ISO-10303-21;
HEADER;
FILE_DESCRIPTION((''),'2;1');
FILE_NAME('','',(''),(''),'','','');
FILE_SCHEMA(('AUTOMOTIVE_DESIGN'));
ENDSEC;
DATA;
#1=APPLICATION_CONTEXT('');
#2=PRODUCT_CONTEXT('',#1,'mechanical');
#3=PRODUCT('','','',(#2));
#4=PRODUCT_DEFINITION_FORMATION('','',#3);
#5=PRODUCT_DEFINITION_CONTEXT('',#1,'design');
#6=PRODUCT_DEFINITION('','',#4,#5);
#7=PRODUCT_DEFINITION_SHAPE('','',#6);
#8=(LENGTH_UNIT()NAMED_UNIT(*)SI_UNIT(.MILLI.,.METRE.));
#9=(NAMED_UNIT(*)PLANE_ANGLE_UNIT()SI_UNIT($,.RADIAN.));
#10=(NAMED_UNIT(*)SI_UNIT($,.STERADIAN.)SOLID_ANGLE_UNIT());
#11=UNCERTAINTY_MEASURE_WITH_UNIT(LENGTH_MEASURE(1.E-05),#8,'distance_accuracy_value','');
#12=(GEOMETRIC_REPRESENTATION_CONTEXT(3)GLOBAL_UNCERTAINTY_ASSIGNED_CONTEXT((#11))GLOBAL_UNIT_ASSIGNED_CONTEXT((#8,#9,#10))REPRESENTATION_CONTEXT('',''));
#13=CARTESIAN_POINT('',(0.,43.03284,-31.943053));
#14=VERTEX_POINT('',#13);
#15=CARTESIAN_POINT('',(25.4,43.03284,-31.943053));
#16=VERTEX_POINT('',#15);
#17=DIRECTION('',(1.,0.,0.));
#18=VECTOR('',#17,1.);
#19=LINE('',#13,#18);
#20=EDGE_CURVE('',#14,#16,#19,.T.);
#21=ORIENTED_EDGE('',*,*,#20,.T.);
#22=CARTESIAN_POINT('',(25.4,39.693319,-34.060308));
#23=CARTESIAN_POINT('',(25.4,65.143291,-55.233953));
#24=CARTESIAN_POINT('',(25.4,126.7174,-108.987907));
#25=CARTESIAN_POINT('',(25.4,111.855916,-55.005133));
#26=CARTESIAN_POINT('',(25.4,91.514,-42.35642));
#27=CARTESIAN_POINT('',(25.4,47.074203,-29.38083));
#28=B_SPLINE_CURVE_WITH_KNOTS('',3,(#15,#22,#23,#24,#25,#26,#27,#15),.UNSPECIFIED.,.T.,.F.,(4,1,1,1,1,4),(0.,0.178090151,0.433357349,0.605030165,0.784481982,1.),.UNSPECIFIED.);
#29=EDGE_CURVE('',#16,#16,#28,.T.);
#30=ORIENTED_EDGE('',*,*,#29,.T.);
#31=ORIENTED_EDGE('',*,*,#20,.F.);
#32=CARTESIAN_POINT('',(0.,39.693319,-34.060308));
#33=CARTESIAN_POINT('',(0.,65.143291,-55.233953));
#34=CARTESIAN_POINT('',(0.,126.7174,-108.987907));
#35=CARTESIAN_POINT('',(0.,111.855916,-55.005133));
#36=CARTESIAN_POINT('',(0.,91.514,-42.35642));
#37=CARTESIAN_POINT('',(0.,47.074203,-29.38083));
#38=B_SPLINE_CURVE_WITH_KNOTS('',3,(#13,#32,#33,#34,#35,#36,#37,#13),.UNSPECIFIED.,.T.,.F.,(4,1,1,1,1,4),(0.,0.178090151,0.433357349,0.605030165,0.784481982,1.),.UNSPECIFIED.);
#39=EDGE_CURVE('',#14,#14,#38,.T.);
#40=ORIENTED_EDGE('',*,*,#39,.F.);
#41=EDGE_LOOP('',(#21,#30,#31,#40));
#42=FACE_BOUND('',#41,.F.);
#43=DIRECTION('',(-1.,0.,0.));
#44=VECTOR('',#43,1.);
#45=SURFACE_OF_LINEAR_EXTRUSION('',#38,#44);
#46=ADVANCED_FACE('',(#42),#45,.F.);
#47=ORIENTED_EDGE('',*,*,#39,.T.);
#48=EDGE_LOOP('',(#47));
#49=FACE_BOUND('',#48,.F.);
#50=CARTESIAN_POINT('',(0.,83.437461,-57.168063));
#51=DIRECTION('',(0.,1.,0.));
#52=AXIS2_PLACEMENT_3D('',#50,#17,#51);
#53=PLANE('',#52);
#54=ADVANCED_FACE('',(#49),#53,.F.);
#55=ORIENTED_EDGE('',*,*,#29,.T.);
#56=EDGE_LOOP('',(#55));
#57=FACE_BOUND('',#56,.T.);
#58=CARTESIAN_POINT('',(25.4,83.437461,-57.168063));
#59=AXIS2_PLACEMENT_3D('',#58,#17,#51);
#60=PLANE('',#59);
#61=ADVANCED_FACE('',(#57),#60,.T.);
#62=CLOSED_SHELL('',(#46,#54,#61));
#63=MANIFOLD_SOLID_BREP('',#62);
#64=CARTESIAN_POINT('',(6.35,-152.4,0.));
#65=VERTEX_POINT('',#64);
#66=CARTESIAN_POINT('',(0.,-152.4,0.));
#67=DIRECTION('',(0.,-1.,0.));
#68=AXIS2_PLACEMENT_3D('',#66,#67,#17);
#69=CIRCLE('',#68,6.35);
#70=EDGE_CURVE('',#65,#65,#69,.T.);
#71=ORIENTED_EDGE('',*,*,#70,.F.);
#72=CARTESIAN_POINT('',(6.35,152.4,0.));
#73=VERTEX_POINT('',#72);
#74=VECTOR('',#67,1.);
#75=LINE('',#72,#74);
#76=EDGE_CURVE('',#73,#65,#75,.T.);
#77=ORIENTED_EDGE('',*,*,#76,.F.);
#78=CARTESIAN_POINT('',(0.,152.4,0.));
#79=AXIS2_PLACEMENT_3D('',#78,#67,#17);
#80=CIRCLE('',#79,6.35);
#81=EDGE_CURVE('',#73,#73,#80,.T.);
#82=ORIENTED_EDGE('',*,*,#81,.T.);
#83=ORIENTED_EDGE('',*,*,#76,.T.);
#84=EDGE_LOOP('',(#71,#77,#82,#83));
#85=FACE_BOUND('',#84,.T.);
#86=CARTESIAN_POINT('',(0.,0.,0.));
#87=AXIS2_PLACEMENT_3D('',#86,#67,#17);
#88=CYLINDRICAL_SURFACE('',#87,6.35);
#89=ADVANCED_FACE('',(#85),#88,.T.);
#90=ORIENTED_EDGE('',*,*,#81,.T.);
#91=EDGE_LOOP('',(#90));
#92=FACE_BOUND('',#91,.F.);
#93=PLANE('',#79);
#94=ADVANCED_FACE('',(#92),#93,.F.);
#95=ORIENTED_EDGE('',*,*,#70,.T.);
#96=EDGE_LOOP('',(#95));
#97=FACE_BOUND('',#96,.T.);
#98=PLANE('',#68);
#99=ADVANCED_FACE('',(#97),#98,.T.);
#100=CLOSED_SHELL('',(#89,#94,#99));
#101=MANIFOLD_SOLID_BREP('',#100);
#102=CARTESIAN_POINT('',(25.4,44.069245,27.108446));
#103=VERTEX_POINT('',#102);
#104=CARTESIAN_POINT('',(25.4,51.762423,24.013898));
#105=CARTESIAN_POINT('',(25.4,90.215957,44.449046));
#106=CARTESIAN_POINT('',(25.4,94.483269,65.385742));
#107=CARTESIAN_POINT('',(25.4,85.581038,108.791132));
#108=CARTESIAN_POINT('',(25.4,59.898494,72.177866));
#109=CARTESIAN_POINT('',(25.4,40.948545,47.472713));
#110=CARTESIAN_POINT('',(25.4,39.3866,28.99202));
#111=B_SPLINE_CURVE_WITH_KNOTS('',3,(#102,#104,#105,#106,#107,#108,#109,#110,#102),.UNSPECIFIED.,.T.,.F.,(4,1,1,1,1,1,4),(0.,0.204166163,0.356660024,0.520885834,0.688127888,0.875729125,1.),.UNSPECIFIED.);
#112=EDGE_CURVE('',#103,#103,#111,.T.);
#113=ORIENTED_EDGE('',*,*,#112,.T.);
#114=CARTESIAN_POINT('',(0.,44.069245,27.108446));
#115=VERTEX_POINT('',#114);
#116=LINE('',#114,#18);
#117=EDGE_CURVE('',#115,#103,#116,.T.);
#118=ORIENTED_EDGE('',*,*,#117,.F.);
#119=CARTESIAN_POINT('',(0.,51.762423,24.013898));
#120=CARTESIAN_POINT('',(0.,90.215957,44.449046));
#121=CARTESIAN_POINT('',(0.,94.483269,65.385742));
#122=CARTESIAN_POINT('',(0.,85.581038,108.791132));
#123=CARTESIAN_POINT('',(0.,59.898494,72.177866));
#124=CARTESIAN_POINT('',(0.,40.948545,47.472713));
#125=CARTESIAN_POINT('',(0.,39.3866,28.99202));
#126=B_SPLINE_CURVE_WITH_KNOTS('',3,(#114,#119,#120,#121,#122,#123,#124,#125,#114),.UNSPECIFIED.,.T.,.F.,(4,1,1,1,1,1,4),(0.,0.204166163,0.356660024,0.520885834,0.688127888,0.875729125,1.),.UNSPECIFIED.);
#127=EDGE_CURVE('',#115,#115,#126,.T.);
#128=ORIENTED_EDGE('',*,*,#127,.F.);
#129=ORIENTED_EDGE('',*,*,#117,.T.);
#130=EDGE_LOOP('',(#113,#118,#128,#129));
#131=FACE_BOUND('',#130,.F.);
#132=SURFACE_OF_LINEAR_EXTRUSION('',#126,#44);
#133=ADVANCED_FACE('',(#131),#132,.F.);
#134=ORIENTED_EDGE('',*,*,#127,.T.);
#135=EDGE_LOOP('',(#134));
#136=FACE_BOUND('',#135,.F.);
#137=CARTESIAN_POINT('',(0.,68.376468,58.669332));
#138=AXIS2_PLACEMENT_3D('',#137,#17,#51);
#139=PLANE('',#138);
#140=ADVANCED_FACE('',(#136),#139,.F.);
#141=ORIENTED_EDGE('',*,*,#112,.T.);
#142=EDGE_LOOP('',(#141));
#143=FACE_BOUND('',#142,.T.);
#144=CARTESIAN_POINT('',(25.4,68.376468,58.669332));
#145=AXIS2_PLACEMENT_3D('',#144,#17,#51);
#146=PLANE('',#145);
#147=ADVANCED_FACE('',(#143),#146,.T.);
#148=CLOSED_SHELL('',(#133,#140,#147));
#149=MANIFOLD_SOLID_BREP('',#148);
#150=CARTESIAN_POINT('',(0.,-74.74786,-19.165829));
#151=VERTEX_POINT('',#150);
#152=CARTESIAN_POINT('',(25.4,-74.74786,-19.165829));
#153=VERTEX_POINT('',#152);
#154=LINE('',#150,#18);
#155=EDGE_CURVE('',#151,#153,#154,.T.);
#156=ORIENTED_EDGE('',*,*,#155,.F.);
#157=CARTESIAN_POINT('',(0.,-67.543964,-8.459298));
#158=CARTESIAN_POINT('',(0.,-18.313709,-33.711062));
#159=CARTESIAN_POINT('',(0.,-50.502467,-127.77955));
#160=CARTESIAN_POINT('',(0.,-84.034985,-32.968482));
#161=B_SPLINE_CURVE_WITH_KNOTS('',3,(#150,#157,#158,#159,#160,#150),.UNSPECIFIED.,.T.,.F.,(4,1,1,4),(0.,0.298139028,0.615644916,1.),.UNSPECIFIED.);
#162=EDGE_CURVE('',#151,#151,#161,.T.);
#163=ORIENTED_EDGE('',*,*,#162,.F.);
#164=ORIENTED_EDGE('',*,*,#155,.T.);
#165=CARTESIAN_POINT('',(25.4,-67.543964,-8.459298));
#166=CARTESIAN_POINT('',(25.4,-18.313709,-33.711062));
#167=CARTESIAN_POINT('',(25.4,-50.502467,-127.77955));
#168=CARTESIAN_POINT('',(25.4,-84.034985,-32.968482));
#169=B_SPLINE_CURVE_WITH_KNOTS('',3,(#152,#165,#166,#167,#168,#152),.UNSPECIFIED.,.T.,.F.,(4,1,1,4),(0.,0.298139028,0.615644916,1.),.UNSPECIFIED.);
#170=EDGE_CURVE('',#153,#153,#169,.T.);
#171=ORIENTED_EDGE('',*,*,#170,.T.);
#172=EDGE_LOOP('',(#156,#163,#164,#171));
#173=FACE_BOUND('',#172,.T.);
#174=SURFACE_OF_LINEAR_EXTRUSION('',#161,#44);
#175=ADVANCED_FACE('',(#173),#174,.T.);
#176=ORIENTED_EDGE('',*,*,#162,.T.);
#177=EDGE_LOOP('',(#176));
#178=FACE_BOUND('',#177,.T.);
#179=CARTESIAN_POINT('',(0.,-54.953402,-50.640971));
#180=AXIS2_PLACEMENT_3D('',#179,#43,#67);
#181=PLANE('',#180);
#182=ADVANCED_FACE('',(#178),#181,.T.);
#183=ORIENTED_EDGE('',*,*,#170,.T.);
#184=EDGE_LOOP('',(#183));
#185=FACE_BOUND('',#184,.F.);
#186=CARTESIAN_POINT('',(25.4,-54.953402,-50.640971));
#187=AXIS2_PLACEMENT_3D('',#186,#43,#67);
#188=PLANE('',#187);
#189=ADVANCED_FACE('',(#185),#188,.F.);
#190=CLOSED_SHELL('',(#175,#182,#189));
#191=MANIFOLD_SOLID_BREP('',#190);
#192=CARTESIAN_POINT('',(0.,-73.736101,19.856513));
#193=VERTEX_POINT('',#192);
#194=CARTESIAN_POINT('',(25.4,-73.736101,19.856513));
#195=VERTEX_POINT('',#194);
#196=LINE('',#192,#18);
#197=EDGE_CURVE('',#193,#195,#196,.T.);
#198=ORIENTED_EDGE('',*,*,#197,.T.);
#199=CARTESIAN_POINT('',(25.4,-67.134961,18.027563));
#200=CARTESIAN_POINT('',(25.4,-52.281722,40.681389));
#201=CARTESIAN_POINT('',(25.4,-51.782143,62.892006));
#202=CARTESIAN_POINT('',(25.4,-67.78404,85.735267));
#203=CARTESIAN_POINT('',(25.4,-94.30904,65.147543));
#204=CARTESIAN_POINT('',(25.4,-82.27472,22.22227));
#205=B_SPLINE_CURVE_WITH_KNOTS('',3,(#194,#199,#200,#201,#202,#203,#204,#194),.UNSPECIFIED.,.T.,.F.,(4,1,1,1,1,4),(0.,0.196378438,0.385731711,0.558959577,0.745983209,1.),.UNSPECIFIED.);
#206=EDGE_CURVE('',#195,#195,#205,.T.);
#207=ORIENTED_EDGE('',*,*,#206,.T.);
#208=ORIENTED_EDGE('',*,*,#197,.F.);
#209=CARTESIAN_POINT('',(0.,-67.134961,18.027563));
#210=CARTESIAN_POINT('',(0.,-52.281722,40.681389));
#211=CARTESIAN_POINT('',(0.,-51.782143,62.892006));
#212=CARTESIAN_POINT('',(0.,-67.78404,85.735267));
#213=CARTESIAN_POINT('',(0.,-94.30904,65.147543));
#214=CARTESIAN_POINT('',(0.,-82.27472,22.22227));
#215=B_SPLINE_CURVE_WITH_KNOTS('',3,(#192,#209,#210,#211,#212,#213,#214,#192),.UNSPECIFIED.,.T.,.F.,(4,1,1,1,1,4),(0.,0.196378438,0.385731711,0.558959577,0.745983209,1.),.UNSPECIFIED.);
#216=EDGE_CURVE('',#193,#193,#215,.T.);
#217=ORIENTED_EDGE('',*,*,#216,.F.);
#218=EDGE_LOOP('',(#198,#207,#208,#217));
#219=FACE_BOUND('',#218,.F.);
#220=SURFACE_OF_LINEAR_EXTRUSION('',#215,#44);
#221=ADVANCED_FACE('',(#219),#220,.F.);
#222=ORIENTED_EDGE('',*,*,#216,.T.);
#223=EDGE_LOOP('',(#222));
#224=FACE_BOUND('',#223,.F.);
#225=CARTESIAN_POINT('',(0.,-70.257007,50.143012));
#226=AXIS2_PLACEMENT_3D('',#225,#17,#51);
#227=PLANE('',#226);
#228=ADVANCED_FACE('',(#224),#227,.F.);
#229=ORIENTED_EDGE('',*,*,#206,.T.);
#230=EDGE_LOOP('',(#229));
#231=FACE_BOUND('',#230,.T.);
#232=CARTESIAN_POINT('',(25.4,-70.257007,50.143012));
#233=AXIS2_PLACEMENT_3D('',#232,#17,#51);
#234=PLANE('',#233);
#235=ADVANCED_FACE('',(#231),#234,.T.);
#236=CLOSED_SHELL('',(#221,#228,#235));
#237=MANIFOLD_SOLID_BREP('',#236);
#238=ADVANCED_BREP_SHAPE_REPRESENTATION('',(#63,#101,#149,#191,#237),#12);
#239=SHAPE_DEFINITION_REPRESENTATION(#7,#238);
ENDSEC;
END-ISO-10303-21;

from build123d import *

# Parameters (mm, degrees)
F0_R     = 6.35
F1_DEPTH = 152.4
F3_DEPTH = 25.4


with BuildPart() as f1:
    # F0 (on Front) → F1 (new body, symmetric)
    with BuildSketch(Plane.XZ):
        Circle(F0_R)
    extrude(amount=F1_DEPTH, both=True)


with BuildPart() as f3:
    # F2 (on Right) → F3 (new body)
    with BuildSketch(Plane.YZ):
        with BuildLine():
            add(Edge.make_bspline(
                [(-74.7478604317, -19.165828824), (-67.543963754, -8.4592979949), (-18.3137087683, -33.7110615613), (-50.5024670852, -127.7795498173), (-84.0349850647, -32.9684818389), (-74.7478604317, -19.165828824)],
                knots=[0, 0, 0, 0, 0.2981390278, 0.6156449164, 1, 1, 1, 1], degree=3))
        make_face()
    extrude(amount=F3_DEPTH)


with BuildPart() as f3b:
    # F2 (on Right) → F3, piece 2 (new body)
    with BuildSketch(Plane.YZ):
        with BuildLine():
            add(Edge.make_bspline(
                [(-73.7361013889, 19.8565125465), (-67.1349605052, 18.0275633062), (-52.2817218665, 40.6813889341), (-51.7821425789, 62.8920057763), (-67.7840402884, 85.7352669502), (-94.3090395178, 65.1475434439), (-82.2747202066, 22.2222703262), (-73.7361013889, 19.8565125465)],
                knots=[0, 0, 0, 0, 0.196378438, 0.385731711, 0.5589595768, 0.7459832087, 1, 1, 1, 1], degree=3))
        make_face()
    extrude(amount=F3_DEPTH)


with BuildPart() as f3c:
    # F2 (on Right) → F3, piece 3 (new body)
    with BuildSketch(Plane.YZ):
        with BuildLine():
            add(Edge.make_bspline(
                [(43.0328398943, -31.9430530071), (39.6933188562, -34.0603080097), (65.1432908186, -55.2339532183), (126.7173996854, -108.9879069683), (111.8559161781, -55.0051329355), (91.5139995637, -42.3564199815), (47.0742029406, -29.380830452), (43.0328398943, -31.9430530071)],
                knots=[0, 0, 0, 0, 0.1780901512, 0.4333573485, 0.6050301651, 0.7844819818, 1, 1, 1, 1], degree=3))
        make_face()
    extrude(amount=F3_DEPTH)


with BuildPart() as f3d:
    # F2 (on Right) → F3, piece 4 (new body)
    with BuildSketch(Plane.YZ):
        with BuildLine():
            add(Edge.make_bspline(
                [(44.0692454576, 27.1084457636), (51.7624225538, 24.0138978491), (90.2159573803, 44.4490463323), (94.4832694289, 65.3857422379), (85.581037687, 108.7911322418), (59.898494301, 72.1778656606), (40.948545041, 47.472712624), (39.3865995439, 28.9920202564), (44.0692454576, 27.1084457636)],
                knots=[0, 0, 0, 0, 0.204166163, 0.3566600236, 0.5208858337, 0.6881278884, 0.875729125, 1, 1, 1, 1], degree=3))
        make_face()
    extrude(amount=F3_DEPTH)


solid = Compound([f1.part, f3.part, f3b.part, f3c.part, f3d.part])
